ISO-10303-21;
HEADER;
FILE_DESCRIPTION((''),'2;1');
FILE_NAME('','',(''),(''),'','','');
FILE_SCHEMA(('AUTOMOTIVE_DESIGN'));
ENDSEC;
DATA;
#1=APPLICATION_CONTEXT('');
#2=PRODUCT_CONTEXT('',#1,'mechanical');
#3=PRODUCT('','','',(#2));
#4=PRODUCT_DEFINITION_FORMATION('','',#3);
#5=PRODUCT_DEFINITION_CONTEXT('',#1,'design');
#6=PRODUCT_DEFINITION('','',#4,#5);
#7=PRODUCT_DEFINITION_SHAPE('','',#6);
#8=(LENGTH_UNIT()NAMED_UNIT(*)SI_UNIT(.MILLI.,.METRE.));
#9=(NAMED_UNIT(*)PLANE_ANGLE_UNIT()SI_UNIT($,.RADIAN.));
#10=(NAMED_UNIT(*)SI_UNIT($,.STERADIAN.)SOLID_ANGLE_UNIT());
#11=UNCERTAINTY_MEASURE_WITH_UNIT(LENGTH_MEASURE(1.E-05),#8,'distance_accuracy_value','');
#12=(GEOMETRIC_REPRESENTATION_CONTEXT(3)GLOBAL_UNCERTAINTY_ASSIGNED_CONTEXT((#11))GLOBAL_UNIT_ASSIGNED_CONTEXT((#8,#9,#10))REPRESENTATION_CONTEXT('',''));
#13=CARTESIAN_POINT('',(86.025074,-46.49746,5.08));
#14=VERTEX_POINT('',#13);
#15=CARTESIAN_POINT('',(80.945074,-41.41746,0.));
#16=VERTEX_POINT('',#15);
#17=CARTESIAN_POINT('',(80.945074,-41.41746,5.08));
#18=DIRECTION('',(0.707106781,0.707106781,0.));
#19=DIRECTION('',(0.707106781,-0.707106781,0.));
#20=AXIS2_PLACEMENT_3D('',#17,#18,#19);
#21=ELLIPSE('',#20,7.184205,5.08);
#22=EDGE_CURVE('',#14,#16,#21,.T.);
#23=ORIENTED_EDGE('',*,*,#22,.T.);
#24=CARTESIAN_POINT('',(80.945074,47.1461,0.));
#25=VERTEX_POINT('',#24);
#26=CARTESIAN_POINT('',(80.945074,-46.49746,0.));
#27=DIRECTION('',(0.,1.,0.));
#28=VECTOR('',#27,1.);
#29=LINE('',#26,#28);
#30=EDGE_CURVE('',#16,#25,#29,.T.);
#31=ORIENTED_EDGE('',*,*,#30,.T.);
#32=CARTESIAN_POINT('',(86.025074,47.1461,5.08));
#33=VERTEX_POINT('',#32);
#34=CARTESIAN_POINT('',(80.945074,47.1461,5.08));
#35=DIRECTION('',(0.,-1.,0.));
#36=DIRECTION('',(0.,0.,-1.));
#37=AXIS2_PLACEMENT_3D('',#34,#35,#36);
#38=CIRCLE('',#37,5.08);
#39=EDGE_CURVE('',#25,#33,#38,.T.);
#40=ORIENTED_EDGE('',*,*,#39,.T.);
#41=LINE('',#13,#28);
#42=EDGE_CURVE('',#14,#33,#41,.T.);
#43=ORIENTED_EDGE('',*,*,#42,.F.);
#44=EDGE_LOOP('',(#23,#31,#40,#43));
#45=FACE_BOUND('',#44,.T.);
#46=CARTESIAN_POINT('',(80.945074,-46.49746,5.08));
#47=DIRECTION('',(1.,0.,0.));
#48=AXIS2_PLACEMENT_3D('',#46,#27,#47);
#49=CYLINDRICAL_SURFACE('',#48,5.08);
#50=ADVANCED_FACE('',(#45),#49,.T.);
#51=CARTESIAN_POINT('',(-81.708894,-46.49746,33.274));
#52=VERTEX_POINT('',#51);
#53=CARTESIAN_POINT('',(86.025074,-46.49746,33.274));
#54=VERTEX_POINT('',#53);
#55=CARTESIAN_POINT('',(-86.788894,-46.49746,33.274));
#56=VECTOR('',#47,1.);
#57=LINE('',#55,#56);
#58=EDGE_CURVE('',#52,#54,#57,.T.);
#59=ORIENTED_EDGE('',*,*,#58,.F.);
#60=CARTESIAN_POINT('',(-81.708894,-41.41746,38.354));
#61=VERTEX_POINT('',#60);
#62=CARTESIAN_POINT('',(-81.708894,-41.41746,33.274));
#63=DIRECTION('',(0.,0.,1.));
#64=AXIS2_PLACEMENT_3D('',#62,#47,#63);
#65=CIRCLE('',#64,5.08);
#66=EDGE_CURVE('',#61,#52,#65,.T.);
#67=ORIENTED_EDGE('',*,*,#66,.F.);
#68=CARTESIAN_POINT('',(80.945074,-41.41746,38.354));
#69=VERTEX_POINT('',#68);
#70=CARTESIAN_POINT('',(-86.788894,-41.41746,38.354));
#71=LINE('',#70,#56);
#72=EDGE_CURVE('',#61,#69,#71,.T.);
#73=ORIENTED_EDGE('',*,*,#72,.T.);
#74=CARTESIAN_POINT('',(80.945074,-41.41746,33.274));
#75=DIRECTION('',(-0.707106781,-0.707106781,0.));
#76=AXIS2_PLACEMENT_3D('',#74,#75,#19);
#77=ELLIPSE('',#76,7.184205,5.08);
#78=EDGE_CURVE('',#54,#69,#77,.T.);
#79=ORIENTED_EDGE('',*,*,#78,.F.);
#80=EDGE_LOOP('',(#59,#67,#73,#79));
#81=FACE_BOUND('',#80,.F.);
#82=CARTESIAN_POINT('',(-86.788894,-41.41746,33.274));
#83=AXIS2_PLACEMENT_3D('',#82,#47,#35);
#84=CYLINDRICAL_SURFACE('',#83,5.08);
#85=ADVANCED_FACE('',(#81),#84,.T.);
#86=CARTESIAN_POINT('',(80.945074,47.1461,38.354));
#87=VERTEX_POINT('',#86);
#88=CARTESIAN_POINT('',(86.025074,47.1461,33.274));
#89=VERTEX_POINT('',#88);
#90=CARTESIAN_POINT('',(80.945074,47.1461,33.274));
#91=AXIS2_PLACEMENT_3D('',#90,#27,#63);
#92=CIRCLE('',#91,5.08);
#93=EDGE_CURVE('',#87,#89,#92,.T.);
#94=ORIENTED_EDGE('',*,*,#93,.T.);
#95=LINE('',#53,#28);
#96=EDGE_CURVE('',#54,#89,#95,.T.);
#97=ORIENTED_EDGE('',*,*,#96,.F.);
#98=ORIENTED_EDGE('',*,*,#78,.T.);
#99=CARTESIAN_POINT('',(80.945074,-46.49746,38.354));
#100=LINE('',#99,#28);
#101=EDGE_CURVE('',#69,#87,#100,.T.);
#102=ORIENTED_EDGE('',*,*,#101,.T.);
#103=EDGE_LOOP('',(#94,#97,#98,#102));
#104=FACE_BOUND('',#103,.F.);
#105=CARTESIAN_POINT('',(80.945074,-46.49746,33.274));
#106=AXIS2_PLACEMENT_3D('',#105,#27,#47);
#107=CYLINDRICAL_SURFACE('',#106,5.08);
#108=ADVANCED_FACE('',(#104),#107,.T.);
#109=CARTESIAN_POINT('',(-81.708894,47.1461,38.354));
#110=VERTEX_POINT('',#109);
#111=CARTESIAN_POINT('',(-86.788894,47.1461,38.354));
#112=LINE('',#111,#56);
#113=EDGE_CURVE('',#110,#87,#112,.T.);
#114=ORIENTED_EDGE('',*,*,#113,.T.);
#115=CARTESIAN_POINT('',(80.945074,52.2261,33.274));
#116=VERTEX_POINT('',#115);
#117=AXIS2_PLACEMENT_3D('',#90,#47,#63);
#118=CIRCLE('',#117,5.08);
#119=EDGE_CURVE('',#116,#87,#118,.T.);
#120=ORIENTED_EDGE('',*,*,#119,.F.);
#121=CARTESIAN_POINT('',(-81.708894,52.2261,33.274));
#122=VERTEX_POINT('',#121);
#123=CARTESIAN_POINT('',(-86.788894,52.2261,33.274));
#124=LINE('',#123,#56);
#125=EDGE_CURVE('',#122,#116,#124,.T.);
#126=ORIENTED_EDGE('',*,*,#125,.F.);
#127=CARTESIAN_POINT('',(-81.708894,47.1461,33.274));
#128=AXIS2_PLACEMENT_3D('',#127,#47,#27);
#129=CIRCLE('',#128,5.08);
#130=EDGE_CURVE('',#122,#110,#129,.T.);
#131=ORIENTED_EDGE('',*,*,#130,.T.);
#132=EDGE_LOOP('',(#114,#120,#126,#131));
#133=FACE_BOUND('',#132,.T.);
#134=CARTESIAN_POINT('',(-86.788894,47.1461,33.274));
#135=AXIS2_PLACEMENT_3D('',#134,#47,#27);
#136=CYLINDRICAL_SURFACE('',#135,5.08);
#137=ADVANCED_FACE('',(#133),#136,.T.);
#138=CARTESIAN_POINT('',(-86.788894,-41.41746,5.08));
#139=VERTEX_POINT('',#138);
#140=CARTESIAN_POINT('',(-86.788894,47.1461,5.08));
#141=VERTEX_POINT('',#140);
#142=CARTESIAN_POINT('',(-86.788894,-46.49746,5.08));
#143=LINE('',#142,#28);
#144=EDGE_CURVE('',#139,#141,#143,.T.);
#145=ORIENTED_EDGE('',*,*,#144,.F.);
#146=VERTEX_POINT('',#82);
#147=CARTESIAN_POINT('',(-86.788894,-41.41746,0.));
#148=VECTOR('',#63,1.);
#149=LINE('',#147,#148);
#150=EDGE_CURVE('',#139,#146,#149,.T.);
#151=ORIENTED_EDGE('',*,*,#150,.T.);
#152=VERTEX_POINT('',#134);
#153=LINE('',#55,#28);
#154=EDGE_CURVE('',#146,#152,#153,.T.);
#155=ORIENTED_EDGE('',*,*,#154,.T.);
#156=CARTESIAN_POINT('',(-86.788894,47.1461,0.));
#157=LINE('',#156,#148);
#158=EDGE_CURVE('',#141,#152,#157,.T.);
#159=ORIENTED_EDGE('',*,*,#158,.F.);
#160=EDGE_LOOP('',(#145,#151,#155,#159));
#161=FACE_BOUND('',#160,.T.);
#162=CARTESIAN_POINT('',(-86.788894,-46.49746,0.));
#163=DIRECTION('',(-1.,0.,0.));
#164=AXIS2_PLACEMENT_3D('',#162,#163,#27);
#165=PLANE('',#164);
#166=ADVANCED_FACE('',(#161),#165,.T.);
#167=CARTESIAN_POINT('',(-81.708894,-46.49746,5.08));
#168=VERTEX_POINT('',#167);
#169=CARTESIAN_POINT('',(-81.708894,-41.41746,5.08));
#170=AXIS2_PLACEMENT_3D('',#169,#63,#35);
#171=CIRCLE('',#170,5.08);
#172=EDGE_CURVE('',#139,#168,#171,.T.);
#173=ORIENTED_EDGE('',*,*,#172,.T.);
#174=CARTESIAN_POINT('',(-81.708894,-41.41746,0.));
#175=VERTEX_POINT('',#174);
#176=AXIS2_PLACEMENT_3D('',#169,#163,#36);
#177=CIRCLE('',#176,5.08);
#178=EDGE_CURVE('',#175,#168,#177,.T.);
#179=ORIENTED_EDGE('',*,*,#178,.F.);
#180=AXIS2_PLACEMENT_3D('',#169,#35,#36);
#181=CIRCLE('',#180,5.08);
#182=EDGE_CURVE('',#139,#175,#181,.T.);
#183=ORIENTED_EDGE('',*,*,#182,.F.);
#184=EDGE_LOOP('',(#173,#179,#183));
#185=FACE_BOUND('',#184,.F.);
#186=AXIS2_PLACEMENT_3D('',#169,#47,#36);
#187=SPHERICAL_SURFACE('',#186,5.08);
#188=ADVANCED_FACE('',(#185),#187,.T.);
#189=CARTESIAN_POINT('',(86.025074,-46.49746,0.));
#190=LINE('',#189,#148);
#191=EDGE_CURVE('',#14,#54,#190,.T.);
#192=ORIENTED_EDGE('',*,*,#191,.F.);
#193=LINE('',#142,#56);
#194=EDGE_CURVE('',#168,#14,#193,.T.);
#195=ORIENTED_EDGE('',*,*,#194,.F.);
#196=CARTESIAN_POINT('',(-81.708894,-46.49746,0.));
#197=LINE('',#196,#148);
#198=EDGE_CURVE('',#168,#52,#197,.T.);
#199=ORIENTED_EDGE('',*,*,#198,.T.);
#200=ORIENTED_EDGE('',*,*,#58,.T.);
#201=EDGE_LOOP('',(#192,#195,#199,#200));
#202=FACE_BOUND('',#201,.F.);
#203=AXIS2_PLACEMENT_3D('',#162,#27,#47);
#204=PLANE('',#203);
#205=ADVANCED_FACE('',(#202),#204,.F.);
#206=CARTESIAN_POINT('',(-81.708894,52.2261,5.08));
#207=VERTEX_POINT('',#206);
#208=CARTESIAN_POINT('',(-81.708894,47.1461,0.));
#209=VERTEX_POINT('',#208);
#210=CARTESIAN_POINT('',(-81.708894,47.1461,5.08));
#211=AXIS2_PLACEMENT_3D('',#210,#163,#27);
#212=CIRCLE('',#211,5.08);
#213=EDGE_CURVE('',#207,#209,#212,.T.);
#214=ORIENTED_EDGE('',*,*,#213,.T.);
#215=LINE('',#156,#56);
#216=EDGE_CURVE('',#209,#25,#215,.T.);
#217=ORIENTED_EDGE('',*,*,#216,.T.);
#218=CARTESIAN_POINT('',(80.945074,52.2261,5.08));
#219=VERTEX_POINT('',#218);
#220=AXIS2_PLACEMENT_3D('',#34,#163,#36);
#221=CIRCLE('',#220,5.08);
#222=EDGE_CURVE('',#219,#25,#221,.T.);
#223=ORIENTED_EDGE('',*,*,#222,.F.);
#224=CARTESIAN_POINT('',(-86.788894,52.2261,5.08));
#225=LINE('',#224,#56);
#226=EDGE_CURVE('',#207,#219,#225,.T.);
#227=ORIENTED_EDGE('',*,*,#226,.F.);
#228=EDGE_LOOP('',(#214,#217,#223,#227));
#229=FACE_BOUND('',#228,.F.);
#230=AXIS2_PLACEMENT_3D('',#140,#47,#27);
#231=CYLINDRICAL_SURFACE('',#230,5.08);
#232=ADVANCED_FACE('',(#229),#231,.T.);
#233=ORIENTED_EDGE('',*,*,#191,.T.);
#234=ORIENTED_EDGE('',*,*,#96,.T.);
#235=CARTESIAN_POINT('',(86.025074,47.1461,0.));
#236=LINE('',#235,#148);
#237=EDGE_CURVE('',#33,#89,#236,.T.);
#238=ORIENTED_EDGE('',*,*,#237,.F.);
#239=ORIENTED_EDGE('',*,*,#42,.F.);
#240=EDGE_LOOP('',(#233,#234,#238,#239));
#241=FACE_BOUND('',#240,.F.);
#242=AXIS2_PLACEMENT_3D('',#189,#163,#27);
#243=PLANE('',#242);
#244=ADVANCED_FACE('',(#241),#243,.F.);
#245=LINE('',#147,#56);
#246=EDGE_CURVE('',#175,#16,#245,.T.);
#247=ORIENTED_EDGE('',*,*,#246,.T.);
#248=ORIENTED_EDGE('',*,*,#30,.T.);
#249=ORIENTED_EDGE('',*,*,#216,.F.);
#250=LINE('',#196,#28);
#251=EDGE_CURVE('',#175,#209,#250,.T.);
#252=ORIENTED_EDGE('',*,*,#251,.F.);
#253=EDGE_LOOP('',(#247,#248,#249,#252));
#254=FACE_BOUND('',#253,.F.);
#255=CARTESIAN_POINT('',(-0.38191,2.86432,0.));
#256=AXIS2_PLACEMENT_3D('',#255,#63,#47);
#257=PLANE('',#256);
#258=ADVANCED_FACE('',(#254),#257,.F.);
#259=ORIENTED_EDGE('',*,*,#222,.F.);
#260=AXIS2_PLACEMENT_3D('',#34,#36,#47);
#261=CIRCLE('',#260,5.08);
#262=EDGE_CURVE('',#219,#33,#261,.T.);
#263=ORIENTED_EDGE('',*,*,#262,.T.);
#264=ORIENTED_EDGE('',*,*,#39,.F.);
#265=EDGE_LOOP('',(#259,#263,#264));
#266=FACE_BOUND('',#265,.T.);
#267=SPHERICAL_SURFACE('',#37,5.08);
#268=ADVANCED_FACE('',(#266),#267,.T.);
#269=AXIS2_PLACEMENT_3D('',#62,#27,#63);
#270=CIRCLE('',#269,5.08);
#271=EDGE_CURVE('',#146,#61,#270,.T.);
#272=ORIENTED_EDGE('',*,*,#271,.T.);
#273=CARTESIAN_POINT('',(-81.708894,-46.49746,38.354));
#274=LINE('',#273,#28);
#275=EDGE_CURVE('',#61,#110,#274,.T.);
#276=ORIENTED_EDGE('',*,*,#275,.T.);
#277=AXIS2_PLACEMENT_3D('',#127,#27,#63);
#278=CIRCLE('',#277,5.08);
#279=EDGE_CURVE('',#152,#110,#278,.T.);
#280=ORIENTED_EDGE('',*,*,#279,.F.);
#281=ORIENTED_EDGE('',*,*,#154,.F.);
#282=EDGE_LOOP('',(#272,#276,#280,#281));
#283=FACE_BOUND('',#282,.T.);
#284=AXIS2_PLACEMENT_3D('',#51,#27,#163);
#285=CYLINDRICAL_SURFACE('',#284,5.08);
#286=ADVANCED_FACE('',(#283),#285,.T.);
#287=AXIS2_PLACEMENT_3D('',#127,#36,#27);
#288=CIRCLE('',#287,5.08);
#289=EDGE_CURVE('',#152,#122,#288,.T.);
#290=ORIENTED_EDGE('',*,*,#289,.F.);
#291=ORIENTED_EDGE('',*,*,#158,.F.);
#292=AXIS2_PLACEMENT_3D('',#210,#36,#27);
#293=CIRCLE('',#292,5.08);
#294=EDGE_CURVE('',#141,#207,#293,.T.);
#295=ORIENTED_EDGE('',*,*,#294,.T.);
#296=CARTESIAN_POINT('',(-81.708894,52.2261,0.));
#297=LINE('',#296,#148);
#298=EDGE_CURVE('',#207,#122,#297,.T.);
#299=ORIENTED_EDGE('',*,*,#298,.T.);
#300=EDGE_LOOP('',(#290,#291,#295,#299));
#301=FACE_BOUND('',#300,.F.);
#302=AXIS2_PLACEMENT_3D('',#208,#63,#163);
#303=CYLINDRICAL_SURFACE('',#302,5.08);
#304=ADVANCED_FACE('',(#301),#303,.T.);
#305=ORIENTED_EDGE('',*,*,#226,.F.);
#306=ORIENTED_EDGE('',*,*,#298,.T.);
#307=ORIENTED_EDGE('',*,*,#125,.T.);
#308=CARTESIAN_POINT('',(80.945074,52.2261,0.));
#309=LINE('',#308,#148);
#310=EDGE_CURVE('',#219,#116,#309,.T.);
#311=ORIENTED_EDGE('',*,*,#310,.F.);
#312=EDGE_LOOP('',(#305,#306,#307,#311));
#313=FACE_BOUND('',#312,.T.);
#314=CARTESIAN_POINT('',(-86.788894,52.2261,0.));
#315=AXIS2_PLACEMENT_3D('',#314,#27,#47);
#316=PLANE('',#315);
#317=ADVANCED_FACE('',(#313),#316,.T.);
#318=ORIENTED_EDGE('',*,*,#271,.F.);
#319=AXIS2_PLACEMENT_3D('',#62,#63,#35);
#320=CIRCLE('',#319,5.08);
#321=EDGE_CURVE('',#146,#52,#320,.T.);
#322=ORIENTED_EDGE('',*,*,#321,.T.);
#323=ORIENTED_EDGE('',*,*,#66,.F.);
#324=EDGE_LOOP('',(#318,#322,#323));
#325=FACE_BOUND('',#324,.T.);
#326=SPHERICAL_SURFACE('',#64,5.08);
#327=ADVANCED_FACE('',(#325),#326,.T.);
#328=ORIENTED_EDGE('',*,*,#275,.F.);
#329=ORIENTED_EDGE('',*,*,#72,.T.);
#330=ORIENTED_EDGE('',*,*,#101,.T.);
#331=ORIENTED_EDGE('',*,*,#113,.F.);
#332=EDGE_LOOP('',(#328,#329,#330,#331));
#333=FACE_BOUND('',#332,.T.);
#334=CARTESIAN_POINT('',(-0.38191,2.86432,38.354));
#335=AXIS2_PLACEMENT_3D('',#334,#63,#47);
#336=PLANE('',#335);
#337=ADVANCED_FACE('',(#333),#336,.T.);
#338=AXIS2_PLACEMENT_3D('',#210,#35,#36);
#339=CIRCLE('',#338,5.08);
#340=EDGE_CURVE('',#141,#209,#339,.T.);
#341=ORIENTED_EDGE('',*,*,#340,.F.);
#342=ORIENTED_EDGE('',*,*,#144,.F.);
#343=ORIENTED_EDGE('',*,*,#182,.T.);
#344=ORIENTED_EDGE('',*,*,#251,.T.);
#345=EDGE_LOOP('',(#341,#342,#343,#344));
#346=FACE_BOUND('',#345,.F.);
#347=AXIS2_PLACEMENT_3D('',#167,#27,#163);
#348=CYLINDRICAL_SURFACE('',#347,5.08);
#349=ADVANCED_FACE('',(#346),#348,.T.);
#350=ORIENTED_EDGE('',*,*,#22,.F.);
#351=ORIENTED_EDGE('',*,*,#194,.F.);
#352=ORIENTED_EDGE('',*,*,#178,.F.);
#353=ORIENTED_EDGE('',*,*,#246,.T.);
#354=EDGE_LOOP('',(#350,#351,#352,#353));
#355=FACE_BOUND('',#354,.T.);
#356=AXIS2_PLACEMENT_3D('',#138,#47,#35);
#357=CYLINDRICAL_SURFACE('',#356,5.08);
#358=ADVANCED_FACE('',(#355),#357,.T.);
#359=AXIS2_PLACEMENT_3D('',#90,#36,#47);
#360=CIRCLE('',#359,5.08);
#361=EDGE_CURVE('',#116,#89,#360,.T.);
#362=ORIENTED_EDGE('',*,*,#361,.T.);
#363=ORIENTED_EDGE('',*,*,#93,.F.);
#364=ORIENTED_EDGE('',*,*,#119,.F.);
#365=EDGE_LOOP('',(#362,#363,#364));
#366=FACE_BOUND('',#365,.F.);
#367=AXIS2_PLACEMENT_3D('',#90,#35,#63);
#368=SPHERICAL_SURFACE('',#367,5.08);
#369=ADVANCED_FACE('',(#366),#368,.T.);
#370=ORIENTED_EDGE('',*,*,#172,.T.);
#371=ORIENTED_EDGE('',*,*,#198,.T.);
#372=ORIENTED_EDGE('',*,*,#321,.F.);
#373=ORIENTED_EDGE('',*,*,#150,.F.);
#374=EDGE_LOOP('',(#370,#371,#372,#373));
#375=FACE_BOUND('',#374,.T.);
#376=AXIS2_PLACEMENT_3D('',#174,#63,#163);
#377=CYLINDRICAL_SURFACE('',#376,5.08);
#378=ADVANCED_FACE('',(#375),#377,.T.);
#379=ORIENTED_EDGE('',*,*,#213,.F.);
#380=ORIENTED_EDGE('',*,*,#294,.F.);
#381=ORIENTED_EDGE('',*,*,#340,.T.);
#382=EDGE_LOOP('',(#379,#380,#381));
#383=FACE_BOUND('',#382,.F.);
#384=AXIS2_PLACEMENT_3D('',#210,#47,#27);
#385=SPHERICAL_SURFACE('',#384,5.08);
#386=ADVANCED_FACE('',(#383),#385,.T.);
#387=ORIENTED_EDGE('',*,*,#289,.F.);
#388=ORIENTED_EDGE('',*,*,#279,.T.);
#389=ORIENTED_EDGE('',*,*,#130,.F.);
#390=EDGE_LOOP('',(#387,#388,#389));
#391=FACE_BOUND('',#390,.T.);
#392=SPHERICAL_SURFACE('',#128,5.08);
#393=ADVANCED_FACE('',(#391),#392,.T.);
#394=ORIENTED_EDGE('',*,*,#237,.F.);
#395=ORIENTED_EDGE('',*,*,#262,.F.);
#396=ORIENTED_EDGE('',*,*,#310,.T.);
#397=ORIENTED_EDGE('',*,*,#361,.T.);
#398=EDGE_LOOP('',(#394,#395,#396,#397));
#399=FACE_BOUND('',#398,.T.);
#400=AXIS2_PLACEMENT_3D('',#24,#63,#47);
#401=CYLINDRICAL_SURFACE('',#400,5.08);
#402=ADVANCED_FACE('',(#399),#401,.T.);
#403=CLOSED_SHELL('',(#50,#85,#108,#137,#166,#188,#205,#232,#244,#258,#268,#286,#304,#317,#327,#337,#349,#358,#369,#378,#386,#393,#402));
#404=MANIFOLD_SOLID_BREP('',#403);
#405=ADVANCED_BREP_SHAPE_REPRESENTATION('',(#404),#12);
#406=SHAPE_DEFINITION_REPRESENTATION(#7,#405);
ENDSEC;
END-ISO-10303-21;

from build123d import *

# Parameters (mm, degrees)
F0_W     = 172.813967
F0_H     = 98.72356
F1_DEPTH = 38.354
F2_R     = 5.08


with BuildPart() as f1:
    # F0 (on Top) → F1 (new body)
    with BuildSketch(Plane.XY):
        with Locations((-0.38191, 2.86432)):
            Rectangle(F0_W, F0_H)
    extrude(amount=F1_DEPTH)

    # F2
    f2_edges = [f1.edges().sort_by_distance(p)[0] for p in [
        (-0.381909, -46.49746, 38.354),
        (-0.381909, -46.49746, 0),
        (86.025074, 2.86432, 38.354),
        (86.025074, 2.86432, 0),
        (-0.381909, 52.2261, 38.354),
        (-0.381909, 52.2261, 0),
        (86.025074, 52.2261, 19.177),
        (-86.788893, 52.2261, 19.177),
        (-86.788893, 2.86432, 38.354),
        (-86.788893, 2.86432, 0),
        (-86.788893, -46.49746, 19.177),
    ]]
    fillet(f2_edges, radius=F2_R)


solid = f1.part
